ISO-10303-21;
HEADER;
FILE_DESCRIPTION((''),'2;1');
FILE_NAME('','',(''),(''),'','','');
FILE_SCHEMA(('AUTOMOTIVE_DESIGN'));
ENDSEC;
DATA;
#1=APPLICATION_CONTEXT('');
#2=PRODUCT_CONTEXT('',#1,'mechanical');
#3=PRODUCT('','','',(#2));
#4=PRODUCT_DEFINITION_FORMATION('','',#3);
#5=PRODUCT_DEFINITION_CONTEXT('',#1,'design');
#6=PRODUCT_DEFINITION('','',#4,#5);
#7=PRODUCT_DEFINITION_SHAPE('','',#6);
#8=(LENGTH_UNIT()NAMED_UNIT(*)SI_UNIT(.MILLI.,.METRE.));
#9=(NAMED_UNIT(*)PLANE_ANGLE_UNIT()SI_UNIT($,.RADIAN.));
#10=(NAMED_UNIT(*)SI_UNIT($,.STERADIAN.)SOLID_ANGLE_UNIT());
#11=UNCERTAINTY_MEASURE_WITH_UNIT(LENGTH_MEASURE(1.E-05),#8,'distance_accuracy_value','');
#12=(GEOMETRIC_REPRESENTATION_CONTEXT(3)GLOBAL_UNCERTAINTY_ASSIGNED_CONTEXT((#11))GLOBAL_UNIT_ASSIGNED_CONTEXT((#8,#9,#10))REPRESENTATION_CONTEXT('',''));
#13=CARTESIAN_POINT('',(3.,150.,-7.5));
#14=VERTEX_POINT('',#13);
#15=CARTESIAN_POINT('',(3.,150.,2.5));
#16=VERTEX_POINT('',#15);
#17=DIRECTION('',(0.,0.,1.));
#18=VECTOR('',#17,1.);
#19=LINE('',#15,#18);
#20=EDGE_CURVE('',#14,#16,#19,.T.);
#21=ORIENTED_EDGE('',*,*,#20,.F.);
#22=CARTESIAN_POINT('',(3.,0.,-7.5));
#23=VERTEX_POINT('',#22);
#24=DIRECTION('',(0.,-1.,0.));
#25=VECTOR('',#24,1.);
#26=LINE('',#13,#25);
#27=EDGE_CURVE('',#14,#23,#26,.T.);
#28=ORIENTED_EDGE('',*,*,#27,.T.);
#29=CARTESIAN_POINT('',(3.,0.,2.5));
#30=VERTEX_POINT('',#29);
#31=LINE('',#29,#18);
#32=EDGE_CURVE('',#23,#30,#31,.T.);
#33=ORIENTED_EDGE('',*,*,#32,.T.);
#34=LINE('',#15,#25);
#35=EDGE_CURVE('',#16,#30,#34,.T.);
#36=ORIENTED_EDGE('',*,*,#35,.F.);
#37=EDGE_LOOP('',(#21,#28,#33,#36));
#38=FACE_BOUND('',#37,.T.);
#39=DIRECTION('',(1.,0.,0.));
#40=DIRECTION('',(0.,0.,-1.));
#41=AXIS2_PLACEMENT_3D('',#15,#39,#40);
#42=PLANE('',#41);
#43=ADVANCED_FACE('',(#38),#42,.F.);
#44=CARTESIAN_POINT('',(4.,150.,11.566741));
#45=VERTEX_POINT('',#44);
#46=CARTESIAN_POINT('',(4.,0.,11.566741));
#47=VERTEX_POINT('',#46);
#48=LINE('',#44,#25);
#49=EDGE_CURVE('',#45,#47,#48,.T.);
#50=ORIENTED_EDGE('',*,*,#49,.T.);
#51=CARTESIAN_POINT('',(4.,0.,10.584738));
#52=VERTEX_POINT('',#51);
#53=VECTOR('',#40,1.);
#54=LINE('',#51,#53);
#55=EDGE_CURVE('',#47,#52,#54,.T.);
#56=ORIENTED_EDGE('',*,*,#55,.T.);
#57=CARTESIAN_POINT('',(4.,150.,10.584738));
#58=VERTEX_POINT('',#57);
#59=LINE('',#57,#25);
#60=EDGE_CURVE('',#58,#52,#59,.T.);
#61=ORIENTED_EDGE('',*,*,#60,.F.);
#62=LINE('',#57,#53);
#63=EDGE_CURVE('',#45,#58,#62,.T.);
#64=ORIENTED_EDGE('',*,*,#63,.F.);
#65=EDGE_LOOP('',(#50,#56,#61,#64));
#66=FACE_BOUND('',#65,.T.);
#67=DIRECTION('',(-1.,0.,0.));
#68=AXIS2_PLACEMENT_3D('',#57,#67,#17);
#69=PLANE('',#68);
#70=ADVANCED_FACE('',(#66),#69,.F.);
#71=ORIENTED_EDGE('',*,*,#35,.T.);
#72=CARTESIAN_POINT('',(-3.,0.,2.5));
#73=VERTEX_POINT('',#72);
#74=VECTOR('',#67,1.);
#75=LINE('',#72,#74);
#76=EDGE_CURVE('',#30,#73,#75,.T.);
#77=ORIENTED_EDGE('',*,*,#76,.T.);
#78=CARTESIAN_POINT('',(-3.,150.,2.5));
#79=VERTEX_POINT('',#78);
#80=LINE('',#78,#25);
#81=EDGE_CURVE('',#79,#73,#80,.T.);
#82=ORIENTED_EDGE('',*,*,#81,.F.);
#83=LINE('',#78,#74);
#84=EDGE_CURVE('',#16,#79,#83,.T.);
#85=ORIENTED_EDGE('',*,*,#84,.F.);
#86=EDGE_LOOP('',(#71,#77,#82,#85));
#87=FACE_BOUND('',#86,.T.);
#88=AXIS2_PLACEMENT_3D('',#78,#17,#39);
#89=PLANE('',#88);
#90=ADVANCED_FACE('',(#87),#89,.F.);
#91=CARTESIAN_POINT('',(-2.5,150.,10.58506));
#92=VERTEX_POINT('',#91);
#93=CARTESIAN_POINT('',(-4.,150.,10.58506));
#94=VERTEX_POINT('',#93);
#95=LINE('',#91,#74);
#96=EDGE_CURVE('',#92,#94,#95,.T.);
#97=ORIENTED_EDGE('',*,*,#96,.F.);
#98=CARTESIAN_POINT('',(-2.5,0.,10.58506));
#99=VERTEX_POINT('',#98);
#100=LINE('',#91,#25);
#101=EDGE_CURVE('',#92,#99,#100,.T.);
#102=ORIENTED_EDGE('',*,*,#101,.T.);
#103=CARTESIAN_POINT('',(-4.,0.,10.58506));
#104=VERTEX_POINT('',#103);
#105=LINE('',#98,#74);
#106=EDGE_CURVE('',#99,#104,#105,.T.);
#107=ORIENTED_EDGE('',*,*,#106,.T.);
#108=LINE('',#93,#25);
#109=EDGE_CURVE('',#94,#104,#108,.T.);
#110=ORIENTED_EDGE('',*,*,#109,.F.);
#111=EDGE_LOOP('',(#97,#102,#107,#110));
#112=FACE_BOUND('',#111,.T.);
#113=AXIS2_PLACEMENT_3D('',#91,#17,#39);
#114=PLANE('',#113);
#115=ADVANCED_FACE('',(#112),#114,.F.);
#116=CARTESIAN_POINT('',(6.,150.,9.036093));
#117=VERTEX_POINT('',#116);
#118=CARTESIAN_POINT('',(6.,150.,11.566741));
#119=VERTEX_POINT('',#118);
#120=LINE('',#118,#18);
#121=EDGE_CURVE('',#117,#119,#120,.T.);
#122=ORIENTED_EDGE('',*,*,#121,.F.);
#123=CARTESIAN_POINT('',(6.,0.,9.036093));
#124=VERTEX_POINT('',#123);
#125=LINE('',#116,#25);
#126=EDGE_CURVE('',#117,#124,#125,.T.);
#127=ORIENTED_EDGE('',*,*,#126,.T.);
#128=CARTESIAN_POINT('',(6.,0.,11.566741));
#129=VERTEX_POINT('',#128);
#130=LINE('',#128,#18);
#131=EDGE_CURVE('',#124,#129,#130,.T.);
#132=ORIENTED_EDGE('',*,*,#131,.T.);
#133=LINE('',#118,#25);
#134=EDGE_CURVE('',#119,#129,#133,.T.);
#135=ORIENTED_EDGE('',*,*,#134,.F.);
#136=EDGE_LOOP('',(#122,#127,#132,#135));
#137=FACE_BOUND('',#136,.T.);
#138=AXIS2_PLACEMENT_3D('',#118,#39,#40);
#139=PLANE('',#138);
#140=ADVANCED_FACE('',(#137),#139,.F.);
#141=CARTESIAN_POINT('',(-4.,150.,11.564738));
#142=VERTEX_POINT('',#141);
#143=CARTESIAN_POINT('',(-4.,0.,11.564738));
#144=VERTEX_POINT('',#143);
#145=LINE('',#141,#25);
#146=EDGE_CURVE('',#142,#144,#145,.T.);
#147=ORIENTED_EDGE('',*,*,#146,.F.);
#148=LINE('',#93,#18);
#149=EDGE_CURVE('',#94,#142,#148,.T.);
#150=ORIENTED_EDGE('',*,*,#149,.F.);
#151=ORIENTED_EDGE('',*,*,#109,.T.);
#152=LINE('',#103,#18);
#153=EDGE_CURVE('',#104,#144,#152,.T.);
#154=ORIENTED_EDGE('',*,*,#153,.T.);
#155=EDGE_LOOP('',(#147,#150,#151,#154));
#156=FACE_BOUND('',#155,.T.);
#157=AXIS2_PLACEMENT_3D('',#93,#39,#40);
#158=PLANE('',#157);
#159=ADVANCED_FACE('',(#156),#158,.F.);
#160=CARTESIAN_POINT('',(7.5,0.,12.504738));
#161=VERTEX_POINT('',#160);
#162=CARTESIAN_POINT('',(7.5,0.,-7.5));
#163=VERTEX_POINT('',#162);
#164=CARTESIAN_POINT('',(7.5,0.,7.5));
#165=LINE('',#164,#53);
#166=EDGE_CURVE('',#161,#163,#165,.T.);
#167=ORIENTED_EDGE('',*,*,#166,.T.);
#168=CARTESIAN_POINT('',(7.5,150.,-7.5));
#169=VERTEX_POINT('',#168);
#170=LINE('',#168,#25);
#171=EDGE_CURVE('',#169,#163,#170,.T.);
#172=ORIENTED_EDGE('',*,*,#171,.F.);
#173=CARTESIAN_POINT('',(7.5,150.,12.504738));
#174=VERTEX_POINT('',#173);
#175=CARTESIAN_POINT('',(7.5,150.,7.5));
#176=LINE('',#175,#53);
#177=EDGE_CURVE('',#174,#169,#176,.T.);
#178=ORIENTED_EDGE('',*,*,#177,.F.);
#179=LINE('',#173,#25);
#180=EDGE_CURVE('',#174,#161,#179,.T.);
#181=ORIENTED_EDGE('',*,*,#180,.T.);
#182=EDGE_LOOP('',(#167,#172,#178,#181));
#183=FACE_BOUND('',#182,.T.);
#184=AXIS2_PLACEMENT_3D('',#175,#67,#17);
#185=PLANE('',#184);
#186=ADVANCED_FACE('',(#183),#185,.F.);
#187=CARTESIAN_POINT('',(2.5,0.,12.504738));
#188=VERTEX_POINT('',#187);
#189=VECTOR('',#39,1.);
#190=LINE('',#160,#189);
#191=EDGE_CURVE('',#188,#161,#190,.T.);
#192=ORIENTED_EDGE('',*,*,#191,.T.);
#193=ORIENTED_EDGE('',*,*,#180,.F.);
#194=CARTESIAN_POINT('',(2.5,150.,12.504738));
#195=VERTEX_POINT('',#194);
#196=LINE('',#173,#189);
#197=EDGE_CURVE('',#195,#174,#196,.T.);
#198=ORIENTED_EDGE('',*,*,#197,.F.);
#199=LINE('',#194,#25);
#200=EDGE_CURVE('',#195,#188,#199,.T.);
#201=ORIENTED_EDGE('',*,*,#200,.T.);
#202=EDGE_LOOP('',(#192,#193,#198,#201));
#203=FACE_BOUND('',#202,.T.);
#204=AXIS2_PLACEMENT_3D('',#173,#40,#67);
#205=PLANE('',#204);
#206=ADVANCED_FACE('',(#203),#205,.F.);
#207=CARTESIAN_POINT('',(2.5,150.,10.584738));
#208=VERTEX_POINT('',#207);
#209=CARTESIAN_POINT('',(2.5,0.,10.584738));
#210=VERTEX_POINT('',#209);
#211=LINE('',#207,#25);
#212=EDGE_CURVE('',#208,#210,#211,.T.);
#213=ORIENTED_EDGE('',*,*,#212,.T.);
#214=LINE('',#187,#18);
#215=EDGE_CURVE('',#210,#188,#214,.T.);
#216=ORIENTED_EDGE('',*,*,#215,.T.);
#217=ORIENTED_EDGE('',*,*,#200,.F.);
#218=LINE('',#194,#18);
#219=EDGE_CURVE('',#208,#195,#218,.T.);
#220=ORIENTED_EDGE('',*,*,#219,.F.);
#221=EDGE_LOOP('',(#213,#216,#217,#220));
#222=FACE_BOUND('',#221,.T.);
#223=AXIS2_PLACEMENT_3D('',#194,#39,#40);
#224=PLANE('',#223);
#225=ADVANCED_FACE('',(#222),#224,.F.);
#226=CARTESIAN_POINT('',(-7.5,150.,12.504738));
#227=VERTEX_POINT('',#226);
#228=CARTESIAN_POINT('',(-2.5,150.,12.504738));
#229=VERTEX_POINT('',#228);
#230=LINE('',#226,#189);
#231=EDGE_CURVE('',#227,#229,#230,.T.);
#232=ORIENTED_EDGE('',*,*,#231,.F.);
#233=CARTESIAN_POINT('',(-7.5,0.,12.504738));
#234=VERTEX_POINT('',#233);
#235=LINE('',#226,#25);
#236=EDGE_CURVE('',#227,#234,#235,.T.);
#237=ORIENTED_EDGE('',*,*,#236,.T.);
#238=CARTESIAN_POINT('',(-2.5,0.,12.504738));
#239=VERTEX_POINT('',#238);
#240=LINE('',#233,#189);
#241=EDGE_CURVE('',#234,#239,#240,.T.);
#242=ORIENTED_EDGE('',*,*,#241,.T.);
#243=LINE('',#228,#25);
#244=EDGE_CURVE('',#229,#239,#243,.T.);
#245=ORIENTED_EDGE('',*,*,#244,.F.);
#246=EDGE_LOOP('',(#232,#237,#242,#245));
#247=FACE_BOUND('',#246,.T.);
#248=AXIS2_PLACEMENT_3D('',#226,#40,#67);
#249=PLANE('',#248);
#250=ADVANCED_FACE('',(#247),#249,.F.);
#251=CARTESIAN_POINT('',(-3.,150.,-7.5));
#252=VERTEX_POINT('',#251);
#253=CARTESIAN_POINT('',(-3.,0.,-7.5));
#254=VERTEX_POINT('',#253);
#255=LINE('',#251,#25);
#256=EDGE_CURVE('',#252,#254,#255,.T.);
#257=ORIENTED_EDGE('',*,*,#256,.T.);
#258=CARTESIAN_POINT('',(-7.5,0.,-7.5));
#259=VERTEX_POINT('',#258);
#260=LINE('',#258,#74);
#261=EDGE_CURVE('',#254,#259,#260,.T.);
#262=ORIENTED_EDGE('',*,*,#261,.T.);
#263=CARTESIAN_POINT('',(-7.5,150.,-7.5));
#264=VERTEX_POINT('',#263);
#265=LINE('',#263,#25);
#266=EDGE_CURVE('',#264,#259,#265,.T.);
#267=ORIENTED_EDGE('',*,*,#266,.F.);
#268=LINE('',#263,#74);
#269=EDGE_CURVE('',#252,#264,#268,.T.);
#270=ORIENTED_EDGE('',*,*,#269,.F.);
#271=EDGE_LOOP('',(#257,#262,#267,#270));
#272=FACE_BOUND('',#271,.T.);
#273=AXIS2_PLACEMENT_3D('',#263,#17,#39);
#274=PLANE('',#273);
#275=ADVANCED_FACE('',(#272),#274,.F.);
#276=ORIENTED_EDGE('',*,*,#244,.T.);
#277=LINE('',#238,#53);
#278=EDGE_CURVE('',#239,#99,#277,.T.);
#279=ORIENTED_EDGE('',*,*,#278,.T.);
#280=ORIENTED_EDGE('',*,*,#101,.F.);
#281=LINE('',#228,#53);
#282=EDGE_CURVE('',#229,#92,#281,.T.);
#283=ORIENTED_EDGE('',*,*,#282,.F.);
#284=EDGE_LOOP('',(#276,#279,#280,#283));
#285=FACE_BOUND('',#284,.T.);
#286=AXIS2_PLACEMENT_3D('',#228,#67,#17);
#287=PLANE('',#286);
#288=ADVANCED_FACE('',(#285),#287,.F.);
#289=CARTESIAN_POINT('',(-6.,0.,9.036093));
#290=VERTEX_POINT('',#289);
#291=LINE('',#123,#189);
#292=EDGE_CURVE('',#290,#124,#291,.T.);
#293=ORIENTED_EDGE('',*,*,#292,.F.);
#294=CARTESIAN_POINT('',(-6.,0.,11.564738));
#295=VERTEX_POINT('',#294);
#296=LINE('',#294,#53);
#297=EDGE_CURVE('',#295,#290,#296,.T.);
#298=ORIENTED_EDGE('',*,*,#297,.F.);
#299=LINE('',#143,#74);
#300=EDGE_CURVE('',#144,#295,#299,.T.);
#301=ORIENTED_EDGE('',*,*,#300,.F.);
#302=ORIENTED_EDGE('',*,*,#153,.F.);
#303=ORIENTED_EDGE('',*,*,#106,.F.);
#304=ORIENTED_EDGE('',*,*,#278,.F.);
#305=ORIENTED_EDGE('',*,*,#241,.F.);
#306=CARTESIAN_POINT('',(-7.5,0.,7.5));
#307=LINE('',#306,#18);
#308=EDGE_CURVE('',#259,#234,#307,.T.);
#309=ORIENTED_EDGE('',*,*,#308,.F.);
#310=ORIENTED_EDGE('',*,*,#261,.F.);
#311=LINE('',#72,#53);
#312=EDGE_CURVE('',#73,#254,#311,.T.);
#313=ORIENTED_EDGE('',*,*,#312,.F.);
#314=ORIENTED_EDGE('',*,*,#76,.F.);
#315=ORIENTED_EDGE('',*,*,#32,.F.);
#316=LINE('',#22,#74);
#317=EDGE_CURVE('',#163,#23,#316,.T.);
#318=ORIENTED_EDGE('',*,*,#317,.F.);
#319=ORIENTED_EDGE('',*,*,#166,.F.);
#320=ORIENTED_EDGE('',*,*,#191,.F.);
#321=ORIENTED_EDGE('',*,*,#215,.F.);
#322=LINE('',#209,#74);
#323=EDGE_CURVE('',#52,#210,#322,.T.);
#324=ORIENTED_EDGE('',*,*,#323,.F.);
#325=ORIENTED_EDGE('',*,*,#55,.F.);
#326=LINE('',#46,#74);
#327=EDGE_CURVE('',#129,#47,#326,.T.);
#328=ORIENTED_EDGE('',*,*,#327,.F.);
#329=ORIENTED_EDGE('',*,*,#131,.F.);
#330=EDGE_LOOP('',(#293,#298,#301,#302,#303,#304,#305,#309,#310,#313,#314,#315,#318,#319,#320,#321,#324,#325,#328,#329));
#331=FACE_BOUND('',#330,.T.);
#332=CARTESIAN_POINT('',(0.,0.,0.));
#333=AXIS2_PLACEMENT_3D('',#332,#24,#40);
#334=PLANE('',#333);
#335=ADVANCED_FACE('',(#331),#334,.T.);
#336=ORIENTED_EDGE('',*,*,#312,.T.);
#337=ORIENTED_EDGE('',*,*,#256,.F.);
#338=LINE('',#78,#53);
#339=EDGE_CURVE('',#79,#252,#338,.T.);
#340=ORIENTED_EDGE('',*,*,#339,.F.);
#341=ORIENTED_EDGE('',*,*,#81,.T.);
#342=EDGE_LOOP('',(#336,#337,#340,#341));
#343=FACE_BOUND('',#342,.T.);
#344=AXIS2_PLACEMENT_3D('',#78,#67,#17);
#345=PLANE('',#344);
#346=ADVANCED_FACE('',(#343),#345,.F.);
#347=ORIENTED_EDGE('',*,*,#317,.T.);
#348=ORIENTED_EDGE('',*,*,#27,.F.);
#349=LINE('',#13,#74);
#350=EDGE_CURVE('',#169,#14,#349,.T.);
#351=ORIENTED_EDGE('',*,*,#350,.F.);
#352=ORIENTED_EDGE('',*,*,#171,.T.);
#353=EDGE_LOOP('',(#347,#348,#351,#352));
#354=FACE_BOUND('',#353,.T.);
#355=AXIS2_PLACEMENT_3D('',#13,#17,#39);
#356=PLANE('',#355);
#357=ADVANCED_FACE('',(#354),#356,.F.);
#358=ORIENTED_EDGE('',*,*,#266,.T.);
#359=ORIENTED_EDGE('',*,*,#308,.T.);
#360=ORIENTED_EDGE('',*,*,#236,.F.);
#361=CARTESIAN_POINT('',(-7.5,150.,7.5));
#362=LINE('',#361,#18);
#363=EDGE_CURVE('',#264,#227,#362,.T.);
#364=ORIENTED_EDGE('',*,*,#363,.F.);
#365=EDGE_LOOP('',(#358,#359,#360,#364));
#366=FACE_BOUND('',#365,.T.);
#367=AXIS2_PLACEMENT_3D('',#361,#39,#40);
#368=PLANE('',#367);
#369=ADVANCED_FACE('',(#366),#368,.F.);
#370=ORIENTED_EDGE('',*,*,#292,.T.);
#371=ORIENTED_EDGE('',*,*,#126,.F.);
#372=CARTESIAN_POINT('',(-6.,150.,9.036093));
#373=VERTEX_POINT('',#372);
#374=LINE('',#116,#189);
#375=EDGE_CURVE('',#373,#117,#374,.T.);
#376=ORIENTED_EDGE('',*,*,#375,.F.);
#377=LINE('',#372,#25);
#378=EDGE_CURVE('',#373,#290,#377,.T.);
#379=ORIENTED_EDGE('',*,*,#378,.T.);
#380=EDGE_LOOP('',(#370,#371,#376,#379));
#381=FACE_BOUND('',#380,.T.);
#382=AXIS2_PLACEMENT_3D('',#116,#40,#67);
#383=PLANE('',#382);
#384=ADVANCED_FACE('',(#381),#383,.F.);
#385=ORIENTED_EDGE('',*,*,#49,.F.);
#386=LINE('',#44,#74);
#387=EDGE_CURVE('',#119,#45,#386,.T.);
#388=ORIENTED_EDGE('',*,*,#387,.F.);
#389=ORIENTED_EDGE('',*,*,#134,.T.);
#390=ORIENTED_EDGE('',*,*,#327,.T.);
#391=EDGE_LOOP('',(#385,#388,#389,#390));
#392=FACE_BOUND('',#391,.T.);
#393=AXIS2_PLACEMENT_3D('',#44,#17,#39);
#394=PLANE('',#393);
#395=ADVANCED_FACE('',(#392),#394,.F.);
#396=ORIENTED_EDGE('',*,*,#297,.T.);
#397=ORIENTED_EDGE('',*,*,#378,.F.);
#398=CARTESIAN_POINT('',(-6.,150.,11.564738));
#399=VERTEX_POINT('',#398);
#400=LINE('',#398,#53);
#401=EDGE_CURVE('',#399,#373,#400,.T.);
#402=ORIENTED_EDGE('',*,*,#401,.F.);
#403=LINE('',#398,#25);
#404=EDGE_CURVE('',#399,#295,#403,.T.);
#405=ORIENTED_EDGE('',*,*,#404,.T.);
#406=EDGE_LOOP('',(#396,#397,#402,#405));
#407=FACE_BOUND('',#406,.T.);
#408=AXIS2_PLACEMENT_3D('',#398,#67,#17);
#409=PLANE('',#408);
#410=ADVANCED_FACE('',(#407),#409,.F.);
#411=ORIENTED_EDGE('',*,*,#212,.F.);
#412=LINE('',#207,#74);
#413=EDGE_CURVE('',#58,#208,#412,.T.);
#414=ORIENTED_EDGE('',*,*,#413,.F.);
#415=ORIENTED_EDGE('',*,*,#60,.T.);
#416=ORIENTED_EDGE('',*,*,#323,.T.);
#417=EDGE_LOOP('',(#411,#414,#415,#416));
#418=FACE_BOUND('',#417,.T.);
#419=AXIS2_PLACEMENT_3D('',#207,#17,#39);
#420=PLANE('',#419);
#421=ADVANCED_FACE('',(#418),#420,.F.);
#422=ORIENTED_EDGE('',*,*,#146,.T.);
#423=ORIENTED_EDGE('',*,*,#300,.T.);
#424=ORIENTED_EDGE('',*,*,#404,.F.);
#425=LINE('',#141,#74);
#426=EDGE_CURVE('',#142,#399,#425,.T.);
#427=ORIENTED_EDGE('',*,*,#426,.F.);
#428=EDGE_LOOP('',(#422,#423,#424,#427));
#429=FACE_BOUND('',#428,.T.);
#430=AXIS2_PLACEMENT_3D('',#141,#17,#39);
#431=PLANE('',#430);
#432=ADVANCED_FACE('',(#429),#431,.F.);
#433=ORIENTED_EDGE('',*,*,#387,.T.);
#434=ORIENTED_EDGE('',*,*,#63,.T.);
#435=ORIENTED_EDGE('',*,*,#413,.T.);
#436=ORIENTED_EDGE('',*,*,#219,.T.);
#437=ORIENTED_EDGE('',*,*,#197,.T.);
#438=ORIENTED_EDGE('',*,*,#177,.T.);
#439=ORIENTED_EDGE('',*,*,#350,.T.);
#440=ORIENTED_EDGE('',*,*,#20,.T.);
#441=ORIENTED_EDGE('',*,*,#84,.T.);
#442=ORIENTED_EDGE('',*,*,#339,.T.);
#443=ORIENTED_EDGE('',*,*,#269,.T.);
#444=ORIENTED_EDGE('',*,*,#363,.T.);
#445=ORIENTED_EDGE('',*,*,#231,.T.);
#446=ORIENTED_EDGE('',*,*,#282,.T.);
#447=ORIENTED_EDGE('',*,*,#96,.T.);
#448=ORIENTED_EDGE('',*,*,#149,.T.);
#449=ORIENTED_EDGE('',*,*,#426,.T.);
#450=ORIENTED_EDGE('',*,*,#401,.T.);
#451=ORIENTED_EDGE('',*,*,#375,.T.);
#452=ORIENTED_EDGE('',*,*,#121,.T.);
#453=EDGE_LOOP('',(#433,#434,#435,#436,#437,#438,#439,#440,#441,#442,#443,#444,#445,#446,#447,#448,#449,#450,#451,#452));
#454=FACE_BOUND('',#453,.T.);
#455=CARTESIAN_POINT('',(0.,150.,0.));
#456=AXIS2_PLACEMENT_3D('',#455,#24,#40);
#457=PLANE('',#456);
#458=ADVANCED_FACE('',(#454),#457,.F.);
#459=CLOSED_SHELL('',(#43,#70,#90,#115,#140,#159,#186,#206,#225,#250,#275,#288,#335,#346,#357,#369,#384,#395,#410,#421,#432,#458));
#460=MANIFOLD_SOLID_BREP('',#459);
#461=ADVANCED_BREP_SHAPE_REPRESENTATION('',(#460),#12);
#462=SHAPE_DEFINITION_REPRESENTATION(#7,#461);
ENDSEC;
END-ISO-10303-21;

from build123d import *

# Parameters (mm, degrees)
RESSALTO_EXTRUS_O1_DEPTH = 150


with BuildPart() as part:
    # Esboço1 → Ressalto-extrusão1 (new body)
    with BuildSketch(Plane(origin=(0, 0, 0), x_dir=(1, 0, 0), z_dir=(0, 1, 0))):
        Polygon((3, 7.5), (7.5, 7.5), (7.5, -7.5), (7.5, -12.5047377), (2.5, -12.5047377), (2.5, -10.5847377), (4, -10.5847377), (4, -11.566741313), (6, -11.566741313), (6, -9.036092961), (-6, -9.036092961), (-6, -11.5647377), (-4, -11.5647377), (-4, -10.585059624), (-2.5, -10.585059624), (-2.5, -12.5047377), (-7.5, -12.5047377), (-7.5, -7.5), (-7.5, 7.5), (-3, 7.5), (-3, -2.5), (3, -2.5), align=None)
    extrude(amount=RESSALTO_EXTRUS_O1_DEPTH)


solid = part.part
